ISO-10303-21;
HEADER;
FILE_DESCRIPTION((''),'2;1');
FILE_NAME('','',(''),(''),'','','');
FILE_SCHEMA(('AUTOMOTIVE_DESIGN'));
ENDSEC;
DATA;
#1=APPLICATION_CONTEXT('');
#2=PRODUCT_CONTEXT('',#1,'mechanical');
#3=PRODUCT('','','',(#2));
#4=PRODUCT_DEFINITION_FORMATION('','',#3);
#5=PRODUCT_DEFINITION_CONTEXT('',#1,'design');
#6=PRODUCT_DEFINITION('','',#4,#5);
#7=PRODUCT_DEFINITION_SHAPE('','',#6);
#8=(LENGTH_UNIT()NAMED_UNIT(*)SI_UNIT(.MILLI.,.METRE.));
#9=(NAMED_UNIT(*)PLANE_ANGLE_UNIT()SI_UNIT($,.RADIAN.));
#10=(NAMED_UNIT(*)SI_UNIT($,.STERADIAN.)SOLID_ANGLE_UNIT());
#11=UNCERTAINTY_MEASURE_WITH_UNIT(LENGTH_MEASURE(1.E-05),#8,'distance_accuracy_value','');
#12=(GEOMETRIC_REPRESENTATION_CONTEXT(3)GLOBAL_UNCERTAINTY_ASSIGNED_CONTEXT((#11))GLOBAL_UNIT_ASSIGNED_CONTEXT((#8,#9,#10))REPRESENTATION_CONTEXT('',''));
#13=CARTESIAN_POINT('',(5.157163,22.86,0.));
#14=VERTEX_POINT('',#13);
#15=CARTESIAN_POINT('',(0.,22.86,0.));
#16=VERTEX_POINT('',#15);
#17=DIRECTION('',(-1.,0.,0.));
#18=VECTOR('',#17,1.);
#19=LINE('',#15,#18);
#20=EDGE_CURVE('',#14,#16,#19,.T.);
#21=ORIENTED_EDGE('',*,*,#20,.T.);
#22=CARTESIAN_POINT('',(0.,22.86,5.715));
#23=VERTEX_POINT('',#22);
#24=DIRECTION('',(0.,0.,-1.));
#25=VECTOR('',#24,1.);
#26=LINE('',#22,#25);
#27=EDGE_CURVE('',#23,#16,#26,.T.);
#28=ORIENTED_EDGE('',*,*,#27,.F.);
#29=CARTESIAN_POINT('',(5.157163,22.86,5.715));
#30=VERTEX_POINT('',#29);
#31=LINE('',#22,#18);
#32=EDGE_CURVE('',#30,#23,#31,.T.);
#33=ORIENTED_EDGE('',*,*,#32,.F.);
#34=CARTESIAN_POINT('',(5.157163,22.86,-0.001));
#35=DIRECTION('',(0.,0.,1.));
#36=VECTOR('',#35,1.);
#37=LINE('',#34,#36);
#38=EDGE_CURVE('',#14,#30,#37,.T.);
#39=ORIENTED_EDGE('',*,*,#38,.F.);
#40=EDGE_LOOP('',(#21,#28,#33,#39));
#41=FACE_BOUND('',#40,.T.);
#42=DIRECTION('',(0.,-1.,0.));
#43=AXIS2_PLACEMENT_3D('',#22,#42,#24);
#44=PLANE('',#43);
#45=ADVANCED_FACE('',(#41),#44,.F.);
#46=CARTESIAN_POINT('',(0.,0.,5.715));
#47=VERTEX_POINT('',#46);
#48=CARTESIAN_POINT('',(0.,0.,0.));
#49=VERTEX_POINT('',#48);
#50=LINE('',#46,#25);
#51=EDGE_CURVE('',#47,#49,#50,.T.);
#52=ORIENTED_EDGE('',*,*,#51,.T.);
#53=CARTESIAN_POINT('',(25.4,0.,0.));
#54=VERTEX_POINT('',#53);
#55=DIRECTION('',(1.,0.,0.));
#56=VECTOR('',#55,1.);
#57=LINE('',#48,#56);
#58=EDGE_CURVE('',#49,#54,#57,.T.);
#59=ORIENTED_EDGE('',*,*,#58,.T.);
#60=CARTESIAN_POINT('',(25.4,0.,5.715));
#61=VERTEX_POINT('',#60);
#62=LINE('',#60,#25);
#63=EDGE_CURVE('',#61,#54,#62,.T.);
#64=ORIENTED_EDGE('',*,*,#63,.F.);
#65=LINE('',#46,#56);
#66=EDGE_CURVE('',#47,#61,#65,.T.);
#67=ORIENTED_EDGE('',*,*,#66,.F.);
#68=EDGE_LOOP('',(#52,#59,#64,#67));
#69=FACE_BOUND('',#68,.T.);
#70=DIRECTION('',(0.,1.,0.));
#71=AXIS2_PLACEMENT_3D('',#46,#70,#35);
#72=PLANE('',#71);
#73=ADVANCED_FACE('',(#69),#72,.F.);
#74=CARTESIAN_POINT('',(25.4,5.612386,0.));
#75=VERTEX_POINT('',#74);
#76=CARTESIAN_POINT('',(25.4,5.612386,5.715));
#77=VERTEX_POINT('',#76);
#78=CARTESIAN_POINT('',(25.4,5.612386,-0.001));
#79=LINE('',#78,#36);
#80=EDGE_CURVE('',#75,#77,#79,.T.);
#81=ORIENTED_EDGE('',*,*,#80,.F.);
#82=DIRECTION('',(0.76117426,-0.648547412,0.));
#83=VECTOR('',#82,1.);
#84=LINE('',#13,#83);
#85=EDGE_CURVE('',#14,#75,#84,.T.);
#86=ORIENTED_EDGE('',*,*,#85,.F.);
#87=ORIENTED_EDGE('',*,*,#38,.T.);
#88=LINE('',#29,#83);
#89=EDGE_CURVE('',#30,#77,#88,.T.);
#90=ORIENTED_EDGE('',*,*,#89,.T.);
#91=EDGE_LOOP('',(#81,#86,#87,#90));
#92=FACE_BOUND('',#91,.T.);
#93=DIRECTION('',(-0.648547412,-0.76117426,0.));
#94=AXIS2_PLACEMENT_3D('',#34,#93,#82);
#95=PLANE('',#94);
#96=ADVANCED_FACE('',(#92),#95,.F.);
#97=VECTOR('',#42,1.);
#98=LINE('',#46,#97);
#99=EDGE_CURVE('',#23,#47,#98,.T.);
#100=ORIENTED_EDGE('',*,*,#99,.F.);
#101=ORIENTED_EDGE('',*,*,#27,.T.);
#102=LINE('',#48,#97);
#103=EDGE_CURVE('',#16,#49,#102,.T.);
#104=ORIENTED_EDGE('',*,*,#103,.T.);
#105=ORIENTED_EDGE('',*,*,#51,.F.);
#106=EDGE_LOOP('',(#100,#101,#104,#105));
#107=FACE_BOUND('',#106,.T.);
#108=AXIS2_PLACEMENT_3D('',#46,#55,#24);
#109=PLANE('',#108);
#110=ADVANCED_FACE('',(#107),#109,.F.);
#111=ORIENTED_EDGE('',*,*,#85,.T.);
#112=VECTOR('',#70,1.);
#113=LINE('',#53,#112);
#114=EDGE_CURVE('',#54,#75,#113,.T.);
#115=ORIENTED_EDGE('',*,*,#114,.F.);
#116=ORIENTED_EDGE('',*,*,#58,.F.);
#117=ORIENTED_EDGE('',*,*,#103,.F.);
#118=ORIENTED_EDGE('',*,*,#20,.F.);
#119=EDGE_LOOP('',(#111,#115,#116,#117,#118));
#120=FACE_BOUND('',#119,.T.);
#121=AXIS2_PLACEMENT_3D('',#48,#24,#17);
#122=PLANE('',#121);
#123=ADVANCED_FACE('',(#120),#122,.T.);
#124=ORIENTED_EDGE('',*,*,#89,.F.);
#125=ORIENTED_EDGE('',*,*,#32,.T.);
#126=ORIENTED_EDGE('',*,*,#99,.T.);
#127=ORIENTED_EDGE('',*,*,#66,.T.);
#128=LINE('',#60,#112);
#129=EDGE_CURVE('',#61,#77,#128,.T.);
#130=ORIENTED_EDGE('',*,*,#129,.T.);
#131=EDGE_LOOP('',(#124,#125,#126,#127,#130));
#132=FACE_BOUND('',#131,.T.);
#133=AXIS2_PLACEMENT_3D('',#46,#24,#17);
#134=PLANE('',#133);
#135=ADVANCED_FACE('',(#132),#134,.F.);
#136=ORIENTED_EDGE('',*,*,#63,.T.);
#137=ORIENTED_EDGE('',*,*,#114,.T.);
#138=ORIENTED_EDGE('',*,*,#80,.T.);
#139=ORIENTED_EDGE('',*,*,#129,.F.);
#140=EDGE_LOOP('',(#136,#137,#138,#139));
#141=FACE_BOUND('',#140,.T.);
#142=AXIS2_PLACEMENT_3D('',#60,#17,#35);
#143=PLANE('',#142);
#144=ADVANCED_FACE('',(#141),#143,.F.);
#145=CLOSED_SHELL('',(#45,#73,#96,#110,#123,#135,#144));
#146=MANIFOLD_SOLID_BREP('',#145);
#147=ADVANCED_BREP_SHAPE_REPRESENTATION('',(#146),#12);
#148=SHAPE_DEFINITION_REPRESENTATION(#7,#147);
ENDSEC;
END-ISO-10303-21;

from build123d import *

# Parameters (mm, degrees)
SKETCH1_W           = 25.4
SKETCH1_H           = 22.86
BOSS_EXTRUDE1_DEPTH = 5.715
CUT_EXTRUDE1_REACH  = 36.647


with BuildPart() as part:
    # Sketch1 → Boss-Extrude1 (new body)
    with BuildSketch(Plane.XY):
        with Locations((12.7, 11.43)):
            Rectangle(SKETCH1_W, SKETCH1_H)
    extrude(amount=BOSS_EXTRUDE1_DEPTH)

    # Sketch2 → Cut-Extrude1 (cut, up to next)
    with BuildSketch(Plane.XY.offset(5.715), mode=Mode.PRIVATE) as cut_extrude1_sk1:
        Polygon((5.15716279, 22.86), (25.4, 5.612386194), (25.4, 22.86), align=None)
    cut_extrude1_tool1 = extrude(cut_extrude1_sk1.sketch, amount=-CUT_EXTRUDE1_REACH, mode=Mode.PRIVATE) & part.part
    add(cut_extrude1_tool1.solids().sort_by_distance((18.652388, 17.110795, 5.715))[0], mode=Mode.SUBTRACT)


solid = part.part
